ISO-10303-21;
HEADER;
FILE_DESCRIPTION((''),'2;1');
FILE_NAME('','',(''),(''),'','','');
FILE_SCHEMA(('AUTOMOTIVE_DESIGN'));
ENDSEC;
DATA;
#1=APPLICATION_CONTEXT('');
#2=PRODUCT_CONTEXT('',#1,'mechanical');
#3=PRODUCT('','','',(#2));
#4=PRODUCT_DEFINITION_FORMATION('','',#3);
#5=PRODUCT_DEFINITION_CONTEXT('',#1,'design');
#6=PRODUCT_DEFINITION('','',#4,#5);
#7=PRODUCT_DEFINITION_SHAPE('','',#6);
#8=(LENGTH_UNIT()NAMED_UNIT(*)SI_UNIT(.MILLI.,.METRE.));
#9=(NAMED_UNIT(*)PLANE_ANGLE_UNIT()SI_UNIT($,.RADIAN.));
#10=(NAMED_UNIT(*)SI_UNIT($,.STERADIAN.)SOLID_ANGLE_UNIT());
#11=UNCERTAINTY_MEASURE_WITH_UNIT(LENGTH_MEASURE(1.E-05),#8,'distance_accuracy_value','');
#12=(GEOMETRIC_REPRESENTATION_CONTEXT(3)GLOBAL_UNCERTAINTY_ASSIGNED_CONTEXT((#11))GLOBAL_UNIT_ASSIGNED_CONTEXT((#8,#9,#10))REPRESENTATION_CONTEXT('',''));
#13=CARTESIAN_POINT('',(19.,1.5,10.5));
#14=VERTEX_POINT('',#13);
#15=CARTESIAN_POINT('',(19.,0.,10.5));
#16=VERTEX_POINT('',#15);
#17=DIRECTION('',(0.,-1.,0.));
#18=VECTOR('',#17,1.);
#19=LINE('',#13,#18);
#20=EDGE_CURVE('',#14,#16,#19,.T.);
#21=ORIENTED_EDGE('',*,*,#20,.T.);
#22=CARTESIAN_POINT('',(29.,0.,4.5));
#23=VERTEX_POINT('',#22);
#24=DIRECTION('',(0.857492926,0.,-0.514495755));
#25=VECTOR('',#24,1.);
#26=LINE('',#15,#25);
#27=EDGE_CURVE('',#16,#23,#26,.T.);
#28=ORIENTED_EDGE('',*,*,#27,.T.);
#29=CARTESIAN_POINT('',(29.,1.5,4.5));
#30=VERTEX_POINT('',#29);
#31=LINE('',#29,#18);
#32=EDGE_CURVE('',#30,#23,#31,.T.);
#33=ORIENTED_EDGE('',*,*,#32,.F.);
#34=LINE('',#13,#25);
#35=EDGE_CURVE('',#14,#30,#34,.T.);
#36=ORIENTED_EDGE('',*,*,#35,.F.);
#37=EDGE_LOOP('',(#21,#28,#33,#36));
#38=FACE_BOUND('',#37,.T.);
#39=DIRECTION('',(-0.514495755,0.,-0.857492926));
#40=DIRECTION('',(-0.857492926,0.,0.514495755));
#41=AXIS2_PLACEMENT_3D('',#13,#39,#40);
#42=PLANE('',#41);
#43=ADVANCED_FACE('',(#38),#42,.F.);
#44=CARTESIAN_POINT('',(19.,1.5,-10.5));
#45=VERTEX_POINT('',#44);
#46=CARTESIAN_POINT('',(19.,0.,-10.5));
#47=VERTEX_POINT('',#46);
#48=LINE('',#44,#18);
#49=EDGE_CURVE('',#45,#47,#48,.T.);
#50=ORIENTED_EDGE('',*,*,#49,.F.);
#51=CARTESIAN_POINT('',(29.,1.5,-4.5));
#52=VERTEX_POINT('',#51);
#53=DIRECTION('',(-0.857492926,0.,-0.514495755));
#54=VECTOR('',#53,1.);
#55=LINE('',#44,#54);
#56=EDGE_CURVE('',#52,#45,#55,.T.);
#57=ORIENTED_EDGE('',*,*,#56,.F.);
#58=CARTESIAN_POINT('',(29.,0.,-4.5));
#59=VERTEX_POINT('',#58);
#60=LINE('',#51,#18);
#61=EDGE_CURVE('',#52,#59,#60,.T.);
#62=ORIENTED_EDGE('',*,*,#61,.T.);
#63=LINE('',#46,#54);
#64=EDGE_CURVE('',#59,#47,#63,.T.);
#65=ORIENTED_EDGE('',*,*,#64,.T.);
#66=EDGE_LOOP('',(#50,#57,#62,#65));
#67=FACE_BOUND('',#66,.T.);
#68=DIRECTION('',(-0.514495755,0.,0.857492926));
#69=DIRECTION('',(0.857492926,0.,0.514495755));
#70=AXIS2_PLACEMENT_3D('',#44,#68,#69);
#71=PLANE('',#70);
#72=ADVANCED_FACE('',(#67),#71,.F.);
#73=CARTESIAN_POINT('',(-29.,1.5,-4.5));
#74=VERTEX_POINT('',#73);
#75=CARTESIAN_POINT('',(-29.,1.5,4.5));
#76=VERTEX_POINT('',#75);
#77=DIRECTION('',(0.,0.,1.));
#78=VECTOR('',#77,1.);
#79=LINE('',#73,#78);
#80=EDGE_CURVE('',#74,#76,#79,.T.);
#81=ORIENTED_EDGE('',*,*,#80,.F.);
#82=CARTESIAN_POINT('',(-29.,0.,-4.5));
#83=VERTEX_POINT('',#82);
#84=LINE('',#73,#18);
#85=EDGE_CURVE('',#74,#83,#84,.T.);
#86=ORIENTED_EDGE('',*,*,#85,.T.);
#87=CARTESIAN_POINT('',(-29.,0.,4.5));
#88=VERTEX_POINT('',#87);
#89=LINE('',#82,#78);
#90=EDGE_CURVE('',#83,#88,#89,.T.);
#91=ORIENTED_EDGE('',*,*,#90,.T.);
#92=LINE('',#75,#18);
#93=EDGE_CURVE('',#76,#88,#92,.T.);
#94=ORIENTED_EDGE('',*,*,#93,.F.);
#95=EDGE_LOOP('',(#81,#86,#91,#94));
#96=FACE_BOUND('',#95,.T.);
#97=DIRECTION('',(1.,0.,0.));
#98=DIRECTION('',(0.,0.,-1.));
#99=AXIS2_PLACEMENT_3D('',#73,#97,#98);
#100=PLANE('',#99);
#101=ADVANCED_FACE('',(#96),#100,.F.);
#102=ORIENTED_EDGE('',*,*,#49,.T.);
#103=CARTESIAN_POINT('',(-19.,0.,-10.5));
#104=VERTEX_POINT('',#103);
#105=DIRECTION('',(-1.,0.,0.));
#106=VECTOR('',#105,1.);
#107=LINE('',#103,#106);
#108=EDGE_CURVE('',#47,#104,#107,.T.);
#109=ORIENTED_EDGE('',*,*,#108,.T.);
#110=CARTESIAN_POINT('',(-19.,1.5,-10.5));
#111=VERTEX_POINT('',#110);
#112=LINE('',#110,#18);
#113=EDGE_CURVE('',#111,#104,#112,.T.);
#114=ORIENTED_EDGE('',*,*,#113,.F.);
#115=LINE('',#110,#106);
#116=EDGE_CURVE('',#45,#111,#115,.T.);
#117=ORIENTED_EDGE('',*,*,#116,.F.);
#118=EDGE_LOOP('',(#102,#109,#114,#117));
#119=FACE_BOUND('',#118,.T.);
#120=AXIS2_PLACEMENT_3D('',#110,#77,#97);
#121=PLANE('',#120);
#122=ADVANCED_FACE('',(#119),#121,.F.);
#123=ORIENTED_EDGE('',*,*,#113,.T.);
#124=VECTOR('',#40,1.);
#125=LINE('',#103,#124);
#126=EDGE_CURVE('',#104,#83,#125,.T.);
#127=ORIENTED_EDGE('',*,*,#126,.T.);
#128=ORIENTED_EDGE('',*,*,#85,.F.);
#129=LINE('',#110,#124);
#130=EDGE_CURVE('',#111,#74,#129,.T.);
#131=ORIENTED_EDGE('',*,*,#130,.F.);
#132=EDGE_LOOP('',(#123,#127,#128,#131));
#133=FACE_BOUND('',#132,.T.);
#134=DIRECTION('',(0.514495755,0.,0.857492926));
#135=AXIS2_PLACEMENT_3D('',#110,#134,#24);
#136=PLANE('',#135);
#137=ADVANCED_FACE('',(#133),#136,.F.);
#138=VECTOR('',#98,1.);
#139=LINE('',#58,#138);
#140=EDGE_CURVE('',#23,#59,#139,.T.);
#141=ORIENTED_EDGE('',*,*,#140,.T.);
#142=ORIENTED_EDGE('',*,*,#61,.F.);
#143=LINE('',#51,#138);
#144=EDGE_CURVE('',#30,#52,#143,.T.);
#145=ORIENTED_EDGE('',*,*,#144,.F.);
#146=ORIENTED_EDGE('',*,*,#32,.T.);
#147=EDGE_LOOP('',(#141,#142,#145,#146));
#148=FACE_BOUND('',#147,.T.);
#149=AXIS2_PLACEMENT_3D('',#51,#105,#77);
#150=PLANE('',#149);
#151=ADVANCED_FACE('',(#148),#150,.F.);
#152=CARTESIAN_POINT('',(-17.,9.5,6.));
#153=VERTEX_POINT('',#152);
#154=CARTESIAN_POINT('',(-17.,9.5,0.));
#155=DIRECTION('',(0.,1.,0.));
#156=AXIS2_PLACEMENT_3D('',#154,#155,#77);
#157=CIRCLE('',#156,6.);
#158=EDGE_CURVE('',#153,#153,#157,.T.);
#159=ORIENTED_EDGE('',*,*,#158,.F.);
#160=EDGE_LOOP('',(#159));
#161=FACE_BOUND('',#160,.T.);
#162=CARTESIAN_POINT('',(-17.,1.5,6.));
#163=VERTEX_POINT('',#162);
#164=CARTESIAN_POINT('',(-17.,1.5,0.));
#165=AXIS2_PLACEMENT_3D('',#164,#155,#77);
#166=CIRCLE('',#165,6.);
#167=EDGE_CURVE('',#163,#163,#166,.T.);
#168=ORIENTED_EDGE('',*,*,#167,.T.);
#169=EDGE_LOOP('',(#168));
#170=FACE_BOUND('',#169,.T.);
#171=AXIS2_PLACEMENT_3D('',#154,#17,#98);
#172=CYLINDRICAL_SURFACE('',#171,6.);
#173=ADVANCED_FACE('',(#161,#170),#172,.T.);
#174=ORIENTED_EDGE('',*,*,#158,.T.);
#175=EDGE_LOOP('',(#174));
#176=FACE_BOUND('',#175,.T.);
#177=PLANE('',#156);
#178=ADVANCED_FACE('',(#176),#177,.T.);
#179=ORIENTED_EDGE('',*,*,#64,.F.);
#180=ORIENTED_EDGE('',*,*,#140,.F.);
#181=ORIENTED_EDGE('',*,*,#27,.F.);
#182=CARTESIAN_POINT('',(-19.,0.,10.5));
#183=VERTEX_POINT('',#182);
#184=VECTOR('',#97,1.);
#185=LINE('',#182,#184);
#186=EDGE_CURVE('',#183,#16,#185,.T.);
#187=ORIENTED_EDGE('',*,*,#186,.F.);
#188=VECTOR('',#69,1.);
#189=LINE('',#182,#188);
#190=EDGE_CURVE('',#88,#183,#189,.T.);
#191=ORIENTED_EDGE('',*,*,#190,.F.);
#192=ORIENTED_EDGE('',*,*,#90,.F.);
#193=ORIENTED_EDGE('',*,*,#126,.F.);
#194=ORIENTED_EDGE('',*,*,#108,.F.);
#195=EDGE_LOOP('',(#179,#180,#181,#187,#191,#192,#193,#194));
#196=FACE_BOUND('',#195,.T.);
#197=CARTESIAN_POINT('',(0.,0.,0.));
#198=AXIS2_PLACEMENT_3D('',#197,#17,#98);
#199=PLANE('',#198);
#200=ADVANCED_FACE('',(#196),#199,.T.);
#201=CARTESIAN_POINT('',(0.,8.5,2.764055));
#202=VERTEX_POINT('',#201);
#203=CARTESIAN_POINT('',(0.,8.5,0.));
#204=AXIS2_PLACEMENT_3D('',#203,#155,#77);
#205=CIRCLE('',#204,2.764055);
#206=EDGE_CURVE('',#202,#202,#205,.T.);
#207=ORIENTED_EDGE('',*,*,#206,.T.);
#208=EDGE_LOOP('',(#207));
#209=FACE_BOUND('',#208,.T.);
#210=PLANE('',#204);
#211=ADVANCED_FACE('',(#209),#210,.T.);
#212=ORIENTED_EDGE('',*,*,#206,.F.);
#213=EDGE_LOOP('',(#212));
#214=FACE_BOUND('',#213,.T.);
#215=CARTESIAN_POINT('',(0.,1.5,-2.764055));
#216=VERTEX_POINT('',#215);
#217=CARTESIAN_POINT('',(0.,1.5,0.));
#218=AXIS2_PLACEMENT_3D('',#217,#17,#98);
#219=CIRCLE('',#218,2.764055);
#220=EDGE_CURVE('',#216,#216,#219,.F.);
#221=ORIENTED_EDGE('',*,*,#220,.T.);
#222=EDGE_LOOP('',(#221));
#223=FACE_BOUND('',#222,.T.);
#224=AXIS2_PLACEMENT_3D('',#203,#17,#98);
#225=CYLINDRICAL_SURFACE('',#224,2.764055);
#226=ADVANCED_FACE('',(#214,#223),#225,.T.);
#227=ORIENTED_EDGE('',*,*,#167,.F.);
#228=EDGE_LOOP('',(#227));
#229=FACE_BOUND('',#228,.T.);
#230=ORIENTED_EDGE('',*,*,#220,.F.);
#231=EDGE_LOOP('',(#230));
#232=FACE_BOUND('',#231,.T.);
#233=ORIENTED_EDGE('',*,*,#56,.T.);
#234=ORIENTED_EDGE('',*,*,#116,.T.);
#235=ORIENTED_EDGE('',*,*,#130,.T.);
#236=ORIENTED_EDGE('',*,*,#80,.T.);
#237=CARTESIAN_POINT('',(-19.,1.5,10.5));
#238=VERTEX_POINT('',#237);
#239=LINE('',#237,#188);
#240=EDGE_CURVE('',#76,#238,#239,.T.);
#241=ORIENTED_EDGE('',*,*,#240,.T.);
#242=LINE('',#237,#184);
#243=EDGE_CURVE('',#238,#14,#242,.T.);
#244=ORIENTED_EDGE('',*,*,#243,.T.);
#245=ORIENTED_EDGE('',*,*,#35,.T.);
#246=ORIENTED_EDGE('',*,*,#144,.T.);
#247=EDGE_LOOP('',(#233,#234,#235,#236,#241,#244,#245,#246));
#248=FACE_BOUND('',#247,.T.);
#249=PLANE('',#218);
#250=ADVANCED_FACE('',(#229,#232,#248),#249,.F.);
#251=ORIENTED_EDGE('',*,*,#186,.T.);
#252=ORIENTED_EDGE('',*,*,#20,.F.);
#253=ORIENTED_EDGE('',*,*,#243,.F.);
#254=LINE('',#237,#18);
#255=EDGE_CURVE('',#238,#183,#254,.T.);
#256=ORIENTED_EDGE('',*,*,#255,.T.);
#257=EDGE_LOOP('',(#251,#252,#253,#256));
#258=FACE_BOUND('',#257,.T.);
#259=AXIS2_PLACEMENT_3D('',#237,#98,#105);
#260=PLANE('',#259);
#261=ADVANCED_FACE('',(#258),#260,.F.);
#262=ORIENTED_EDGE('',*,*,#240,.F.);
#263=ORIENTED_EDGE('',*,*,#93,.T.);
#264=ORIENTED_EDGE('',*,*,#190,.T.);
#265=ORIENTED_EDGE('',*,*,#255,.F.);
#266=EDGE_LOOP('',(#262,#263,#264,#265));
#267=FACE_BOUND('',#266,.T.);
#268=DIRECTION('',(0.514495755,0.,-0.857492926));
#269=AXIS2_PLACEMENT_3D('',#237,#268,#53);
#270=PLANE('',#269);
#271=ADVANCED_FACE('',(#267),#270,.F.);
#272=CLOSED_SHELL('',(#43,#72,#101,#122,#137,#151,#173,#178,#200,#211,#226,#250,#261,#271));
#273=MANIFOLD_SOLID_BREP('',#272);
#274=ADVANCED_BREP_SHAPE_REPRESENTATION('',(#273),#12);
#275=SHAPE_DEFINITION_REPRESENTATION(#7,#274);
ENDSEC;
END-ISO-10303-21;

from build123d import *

# Parameters (mm, degrees)
BOSS_EXTRUDE1_DEPTH = 1.5
SKETCH2_R           = 6
BOSS_EXTRUDE2_DEPTH = 8
SKETCH3_R           = 2.764055342
BOSS_EXTRUDE3_DEPTH = 7


with BuildPart() as part:
    # Sketch1 → Boss-Extrude1 (new body)
    with BuildSketch(Plane(origin=(0, 0, 0), x_dir=(1, 0, 0), z_dir=(0, 1, 0))):
        Polygon((-19, 10.5), (19, 10.5), (29, 4.5), (29, -4.5), (19, -10.5), (-19, -10.5), (-29, -4.5), (-29, 4.5), align=None)
    extrude(amount=BOSS_EXTRUDE1_DEPTH)

    # Sketch2 → Boss-Extrude2 (add)
    with BuildSketch(Plane(origin=(0, 1.5, 0), x_dir=(1, 0, 0), z_dir=(0, 1, 0))):
        with Locations(Location((-17, 0, 0), (0, 0, 270))):
            Circle(SKETCH2_R)
    extrude(amount=BOSS_EXTRUDE2_DEPTH)

    # Sketch3 → Boss-Extrude3 (add)
    with BuildSketch(Plane(origin=(0, 1.5, 0), x_dir=(1, 0, 0), z_dir=(0, 1, 0))):
        with Locations(Location((0, 0, 0), (0, 0, 90))):
            Circle(SKETCH3_R)
    extrude(amount=BOSS_EXTRUDE3_DEPTH)


solid = part.part
